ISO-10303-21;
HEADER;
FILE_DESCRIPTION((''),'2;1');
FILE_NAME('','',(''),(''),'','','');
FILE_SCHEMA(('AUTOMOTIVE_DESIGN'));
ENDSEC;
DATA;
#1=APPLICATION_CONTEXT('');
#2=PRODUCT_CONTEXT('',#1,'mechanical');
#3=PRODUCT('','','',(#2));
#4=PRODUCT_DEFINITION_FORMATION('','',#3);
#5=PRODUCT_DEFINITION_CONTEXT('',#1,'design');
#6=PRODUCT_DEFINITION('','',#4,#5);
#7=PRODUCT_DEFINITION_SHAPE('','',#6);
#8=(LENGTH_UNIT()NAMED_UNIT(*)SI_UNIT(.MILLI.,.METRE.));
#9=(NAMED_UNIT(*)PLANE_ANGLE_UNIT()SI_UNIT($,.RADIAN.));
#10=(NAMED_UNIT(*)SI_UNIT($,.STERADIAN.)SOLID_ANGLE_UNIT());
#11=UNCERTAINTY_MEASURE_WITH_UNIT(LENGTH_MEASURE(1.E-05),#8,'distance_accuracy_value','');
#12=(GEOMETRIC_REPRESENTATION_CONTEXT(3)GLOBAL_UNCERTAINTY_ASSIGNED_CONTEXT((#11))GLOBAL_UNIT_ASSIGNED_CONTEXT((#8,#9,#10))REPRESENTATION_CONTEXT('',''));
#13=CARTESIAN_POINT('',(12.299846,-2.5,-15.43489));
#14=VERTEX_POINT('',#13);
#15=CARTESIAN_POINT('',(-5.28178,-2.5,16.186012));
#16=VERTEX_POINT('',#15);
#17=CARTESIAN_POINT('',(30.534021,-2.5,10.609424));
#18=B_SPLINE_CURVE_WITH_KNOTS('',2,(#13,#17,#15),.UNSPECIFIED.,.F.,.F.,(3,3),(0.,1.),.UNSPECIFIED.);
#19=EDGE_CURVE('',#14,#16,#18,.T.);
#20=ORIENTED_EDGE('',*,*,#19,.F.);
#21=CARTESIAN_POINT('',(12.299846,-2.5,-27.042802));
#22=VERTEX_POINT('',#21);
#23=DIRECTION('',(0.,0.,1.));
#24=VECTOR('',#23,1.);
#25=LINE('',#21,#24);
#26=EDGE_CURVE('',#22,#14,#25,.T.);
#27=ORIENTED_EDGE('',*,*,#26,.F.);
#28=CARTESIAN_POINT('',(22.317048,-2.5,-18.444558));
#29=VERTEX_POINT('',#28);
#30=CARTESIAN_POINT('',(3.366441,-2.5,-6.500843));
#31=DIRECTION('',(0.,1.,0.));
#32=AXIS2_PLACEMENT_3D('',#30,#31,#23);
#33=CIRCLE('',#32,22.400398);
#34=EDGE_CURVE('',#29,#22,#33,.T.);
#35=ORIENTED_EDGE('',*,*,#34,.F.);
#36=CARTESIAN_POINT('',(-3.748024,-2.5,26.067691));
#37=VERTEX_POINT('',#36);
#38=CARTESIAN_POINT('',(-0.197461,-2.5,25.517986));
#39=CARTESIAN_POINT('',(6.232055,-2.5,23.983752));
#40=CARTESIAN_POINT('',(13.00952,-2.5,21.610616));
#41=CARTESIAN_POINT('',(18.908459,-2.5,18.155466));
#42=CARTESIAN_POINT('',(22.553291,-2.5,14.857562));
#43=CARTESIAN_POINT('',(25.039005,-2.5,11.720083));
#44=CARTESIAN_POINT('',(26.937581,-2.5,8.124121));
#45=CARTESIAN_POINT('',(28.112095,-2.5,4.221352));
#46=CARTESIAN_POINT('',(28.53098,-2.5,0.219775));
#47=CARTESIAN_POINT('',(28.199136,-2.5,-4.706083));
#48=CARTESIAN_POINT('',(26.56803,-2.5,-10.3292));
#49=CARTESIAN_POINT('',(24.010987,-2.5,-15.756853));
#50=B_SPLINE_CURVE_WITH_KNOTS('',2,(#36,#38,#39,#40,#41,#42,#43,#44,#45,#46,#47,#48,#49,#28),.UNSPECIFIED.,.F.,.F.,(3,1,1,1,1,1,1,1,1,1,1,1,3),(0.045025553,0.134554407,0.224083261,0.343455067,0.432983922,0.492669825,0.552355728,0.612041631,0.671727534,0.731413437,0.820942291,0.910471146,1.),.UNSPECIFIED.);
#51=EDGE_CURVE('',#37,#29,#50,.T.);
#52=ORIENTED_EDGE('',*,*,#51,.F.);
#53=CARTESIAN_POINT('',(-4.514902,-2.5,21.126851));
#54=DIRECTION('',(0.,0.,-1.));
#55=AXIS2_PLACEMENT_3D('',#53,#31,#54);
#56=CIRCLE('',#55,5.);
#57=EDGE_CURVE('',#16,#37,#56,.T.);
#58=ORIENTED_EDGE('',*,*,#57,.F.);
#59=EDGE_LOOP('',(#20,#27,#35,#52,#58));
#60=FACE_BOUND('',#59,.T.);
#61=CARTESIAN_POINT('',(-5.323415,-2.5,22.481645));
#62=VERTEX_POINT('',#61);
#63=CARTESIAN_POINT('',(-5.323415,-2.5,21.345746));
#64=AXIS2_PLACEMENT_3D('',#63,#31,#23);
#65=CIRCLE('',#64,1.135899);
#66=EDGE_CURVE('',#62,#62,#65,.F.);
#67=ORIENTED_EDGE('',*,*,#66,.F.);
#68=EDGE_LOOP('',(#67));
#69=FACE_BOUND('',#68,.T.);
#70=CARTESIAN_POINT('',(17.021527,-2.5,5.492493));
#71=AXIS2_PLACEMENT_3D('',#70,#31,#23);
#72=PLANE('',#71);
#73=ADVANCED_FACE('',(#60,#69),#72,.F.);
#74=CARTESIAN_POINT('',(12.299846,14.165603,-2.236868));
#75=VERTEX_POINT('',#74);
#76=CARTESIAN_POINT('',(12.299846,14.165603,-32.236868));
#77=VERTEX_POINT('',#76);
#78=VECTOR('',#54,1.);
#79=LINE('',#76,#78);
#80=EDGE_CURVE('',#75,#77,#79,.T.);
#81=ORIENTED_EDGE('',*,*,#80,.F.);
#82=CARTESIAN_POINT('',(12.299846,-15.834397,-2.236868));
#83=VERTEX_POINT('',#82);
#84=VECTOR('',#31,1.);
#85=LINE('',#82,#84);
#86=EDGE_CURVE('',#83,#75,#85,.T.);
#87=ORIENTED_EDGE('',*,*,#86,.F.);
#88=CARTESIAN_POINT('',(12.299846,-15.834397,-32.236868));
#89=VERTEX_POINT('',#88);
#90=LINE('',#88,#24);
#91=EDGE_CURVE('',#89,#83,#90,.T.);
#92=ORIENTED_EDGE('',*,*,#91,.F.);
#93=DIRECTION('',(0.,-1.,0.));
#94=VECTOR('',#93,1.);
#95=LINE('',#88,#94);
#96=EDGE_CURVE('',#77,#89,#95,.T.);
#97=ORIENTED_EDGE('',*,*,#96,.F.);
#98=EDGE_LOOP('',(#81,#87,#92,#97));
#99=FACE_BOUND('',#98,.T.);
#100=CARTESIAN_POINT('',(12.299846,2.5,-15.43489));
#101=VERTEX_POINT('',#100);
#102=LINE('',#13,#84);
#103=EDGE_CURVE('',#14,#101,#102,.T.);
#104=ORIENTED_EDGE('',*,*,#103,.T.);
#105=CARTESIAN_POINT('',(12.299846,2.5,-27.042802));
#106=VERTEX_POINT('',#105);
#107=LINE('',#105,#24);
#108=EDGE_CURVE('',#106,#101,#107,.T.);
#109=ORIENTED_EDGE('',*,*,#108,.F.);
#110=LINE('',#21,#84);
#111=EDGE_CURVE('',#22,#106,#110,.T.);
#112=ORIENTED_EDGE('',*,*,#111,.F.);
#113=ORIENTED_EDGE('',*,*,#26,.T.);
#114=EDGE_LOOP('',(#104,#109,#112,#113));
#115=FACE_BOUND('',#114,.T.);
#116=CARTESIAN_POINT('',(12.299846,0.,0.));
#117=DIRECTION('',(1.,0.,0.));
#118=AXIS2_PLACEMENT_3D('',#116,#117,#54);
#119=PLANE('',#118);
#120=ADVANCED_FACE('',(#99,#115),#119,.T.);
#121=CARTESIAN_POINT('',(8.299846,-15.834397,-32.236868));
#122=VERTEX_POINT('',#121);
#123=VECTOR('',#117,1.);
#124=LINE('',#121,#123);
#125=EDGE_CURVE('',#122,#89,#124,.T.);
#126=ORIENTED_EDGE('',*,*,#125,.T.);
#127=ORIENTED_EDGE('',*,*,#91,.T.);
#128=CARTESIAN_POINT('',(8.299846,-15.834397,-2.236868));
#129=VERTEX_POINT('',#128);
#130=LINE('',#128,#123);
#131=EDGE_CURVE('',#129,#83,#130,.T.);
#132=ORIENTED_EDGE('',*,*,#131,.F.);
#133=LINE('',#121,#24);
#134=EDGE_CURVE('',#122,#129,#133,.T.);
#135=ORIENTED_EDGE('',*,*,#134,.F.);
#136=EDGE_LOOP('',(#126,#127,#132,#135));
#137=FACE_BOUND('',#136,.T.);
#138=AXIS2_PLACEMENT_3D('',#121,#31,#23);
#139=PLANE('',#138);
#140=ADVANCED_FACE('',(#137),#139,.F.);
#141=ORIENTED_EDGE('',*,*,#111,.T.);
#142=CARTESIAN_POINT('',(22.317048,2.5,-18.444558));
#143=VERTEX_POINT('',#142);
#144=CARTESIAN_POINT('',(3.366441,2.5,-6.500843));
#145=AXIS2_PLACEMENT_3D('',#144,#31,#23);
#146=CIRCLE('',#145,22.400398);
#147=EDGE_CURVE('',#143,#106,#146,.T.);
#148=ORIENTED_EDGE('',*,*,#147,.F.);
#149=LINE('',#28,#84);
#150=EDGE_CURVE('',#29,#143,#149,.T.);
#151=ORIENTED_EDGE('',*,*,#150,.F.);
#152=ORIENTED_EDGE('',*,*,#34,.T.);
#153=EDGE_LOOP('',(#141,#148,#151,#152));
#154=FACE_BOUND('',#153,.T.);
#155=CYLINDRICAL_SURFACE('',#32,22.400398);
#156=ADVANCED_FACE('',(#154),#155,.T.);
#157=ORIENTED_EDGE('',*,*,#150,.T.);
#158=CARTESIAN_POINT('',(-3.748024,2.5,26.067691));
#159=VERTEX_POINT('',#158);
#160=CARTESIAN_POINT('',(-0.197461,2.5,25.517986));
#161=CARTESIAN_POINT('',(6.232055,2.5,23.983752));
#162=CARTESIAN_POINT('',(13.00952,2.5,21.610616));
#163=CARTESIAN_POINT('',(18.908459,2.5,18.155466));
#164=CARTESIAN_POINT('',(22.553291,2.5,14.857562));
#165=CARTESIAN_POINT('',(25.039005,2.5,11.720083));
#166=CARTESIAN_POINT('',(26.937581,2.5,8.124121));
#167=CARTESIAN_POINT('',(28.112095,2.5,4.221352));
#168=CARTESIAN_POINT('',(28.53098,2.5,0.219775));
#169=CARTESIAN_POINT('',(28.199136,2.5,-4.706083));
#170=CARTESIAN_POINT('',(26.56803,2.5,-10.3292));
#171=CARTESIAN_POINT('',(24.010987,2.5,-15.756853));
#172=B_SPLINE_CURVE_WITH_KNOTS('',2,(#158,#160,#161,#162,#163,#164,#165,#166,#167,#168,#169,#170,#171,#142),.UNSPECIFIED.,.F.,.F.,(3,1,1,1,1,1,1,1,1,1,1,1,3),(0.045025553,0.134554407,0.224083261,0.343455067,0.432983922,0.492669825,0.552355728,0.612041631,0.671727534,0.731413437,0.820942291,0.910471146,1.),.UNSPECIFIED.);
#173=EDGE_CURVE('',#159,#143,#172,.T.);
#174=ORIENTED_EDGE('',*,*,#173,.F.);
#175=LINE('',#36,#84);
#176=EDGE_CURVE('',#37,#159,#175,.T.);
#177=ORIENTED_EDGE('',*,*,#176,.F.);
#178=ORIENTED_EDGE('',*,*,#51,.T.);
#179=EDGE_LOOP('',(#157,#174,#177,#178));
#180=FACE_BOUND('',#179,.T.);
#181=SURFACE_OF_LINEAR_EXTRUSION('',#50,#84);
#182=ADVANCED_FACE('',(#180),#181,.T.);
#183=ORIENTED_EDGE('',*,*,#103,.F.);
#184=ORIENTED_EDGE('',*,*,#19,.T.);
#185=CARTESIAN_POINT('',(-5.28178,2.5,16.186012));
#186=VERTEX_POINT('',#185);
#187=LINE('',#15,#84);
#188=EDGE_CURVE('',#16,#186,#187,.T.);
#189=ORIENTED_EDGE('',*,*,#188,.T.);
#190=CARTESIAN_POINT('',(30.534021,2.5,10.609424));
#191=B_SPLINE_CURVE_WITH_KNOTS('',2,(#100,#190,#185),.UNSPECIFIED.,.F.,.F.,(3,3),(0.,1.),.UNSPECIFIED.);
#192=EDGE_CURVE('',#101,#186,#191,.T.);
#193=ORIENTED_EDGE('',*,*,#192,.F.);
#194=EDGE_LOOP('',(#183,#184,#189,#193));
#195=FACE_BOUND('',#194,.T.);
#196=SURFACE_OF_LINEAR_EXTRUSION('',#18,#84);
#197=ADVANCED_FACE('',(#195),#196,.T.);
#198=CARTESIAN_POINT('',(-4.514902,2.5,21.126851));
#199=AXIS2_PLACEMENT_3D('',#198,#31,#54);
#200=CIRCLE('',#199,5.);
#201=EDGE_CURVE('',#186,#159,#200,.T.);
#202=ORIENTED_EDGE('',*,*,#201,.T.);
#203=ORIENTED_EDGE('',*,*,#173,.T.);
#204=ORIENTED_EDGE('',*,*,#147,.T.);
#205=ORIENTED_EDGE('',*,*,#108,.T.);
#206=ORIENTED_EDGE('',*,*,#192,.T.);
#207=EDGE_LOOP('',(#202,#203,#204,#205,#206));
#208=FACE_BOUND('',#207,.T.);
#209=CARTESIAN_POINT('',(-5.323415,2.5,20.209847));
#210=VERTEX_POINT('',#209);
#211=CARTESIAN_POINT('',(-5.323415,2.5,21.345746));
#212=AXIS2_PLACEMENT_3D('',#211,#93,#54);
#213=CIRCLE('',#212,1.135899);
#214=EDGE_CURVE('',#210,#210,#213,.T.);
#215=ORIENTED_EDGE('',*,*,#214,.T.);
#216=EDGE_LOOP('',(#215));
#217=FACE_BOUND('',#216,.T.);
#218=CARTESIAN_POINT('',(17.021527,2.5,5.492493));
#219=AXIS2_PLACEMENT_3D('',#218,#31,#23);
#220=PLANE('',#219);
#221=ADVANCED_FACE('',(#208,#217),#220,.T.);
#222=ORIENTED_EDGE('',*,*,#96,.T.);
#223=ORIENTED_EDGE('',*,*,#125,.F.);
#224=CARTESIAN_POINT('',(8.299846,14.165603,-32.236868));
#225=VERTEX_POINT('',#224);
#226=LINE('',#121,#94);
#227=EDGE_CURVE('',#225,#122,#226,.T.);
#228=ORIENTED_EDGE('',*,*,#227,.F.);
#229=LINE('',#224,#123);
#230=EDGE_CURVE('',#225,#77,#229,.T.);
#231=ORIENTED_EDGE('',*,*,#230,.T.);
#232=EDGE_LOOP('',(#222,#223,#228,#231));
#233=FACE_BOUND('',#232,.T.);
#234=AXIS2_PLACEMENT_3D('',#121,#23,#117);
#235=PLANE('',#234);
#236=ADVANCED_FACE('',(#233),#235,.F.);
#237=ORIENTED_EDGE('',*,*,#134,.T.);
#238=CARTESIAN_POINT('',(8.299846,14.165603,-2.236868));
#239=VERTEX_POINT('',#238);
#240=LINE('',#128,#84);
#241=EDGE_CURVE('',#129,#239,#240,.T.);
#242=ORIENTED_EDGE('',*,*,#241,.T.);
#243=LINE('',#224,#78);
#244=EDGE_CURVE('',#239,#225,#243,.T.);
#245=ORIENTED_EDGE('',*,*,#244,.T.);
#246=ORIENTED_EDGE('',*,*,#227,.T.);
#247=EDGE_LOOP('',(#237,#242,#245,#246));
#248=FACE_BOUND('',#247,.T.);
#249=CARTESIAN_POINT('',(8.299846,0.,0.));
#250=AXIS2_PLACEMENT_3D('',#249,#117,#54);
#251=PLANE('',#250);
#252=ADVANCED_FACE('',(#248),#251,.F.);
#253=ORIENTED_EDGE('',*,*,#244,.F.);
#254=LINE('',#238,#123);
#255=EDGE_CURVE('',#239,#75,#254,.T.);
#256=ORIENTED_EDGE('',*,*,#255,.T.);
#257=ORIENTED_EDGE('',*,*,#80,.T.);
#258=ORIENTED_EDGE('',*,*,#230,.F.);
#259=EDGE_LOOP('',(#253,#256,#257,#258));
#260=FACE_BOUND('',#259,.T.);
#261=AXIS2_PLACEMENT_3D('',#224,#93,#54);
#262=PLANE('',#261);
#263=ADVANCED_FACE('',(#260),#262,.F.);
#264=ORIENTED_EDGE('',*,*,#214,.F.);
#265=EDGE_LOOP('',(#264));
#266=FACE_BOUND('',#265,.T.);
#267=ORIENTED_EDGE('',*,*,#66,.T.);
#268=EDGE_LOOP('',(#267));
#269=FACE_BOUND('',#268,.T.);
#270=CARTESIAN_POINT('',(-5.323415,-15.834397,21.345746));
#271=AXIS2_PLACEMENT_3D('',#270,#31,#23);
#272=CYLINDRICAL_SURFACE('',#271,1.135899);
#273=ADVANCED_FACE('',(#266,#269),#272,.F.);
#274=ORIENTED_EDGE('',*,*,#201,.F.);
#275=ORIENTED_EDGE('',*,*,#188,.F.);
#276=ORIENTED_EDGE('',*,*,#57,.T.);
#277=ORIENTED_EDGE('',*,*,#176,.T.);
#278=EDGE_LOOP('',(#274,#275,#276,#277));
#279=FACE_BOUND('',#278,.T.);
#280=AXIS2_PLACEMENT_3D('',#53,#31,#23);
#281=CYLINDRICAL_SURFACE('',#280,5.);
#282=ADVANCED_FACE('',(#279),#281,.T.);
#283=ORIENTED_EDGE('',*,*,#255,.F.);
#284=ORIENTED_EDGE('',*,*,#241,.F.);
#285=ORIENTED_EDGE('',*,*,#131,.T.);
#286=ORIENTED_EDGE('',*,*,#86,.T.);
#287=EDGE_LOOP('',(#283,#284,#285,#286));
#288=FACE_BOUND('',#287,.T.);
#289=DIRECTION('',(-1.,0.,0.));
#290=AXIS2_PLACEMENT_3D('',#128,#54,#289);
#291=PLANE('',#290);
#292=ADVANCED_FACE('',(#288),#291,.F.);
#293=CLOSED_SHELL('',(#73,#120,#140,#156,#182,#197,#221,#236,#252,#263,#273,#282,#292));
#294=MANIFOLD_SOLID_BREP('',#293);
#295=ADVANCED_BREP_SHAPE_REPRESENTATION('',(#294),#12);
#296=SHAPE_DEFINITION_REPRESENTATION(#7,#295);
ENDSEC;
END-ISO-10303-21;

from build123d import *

# Parameters (mm, degrees)
BOSS_EXTRUDE1_DEPTH      = 2.5
BOSS_EXTRUDE1_DEPTH_BACK = 2.5
SKETCH2_W                = 30
SKETCH2_H                = 30
BOSS_EXTRUDE2_DEPTH      = 4
CUT_EXTRUDE1_DEPTH       = 47.112311827
CUT_EXTRUDE1_DEPTH_BACK  = 5
SKETCH3_R                = 1.135899117


with BuildPart() as part:
    # Sketch1 → Boss-Extrude1 (new, two sides: drawn at the far end of the back side and taken through both)
    with BuildSketch(Plane(origin=(0, 0, 0), x_dir=(1, 0, 0), z_dir=(0, 1, 0)).offset(-BOSS_EXTRUDE1_DEPTH_BACK)):
        with BuildLine():
            Line((12.299846055, 27.042802031), (12.299846055, 15.43488972))
            add(Edge.make_bspline(
                [(12.299846055, 15.43488972), (30.534020994, -10.609424361), (-5.28178023, -16.186011799)],
                knots=[0, 0, 0, 1, 1, 1], degree=2))
            ThreePointArc((-5.28178023, -16.186011799), (-9.455741342, -21.893729502), (-3.748023639, -26.067690614))
            add(Edge.make_bspline(
                [(22.317047717, 18.444557689), (24.010987248, 15.756852788), (26.568030042, 10.329200416), (28.199135579, 4.70608307), (28.530980206, -0.219774719), (28.112095037, -4.221352146), (26.937580955, -8.124121484), (25.039004829, -11.720082951), (22.553291074, -14.857561986), (18.908458845, -18.15546642), (13.009520485, -21.610616265), (6.232054982, -23.983751971), (-0.197461384, -25.517985733), (-3.748023639, -26.067690614)],
                knots=[0.045025553, 0.045025553, 0.045025553, 0.134554407, 0.224083261, 0.313612116, 0.373298019, 0.432983922, 0.492669825, 0.552355728, 0.612041631, 0.701570485, 0.820942291, 0.910471146, 1, 1, 1], degree=2))
            ThreePointArc((22.317047717, 18.444557689), (17.956231252, 23.498367255), (12.299846055, 27.042802031))
        make_face()
    extrude(amount=BOSS_EXTRUDE1_DEPTH + BOSS_EXTRUDE1_DEPTH_BACK)

    # Sketch2 → Boss-Extrude2 (add)
    with BuildSketch(Plane.ZY.offset(-12.299846055)):
        with Locations((-17.236867662, -0.834397369)):
            Rectangle(SKETCH2_W, SKETCH2_H)
    extrude(amount=BOSS_EXTRUDE2_DEPTH)

    # Sketch3 → Cut-Extrude1 (cut, two sides: drawn at the far end of the back side and taken through both)
    with BuildSketch(Plane.XZ.offset(2.5).offset(-CUT_EXTRUDE1_DEPTH_BACK)):
        with Locations((-5.323414867, 21.345746187)):
            Circle(SKETCH3_R)
    extrude(amount=CUT_EXTRUDE1_DEPTH + CUT_EXTRUDE1_DEPTH_BACK, mode=Mode.SUBTRACT)


solid = part.part
